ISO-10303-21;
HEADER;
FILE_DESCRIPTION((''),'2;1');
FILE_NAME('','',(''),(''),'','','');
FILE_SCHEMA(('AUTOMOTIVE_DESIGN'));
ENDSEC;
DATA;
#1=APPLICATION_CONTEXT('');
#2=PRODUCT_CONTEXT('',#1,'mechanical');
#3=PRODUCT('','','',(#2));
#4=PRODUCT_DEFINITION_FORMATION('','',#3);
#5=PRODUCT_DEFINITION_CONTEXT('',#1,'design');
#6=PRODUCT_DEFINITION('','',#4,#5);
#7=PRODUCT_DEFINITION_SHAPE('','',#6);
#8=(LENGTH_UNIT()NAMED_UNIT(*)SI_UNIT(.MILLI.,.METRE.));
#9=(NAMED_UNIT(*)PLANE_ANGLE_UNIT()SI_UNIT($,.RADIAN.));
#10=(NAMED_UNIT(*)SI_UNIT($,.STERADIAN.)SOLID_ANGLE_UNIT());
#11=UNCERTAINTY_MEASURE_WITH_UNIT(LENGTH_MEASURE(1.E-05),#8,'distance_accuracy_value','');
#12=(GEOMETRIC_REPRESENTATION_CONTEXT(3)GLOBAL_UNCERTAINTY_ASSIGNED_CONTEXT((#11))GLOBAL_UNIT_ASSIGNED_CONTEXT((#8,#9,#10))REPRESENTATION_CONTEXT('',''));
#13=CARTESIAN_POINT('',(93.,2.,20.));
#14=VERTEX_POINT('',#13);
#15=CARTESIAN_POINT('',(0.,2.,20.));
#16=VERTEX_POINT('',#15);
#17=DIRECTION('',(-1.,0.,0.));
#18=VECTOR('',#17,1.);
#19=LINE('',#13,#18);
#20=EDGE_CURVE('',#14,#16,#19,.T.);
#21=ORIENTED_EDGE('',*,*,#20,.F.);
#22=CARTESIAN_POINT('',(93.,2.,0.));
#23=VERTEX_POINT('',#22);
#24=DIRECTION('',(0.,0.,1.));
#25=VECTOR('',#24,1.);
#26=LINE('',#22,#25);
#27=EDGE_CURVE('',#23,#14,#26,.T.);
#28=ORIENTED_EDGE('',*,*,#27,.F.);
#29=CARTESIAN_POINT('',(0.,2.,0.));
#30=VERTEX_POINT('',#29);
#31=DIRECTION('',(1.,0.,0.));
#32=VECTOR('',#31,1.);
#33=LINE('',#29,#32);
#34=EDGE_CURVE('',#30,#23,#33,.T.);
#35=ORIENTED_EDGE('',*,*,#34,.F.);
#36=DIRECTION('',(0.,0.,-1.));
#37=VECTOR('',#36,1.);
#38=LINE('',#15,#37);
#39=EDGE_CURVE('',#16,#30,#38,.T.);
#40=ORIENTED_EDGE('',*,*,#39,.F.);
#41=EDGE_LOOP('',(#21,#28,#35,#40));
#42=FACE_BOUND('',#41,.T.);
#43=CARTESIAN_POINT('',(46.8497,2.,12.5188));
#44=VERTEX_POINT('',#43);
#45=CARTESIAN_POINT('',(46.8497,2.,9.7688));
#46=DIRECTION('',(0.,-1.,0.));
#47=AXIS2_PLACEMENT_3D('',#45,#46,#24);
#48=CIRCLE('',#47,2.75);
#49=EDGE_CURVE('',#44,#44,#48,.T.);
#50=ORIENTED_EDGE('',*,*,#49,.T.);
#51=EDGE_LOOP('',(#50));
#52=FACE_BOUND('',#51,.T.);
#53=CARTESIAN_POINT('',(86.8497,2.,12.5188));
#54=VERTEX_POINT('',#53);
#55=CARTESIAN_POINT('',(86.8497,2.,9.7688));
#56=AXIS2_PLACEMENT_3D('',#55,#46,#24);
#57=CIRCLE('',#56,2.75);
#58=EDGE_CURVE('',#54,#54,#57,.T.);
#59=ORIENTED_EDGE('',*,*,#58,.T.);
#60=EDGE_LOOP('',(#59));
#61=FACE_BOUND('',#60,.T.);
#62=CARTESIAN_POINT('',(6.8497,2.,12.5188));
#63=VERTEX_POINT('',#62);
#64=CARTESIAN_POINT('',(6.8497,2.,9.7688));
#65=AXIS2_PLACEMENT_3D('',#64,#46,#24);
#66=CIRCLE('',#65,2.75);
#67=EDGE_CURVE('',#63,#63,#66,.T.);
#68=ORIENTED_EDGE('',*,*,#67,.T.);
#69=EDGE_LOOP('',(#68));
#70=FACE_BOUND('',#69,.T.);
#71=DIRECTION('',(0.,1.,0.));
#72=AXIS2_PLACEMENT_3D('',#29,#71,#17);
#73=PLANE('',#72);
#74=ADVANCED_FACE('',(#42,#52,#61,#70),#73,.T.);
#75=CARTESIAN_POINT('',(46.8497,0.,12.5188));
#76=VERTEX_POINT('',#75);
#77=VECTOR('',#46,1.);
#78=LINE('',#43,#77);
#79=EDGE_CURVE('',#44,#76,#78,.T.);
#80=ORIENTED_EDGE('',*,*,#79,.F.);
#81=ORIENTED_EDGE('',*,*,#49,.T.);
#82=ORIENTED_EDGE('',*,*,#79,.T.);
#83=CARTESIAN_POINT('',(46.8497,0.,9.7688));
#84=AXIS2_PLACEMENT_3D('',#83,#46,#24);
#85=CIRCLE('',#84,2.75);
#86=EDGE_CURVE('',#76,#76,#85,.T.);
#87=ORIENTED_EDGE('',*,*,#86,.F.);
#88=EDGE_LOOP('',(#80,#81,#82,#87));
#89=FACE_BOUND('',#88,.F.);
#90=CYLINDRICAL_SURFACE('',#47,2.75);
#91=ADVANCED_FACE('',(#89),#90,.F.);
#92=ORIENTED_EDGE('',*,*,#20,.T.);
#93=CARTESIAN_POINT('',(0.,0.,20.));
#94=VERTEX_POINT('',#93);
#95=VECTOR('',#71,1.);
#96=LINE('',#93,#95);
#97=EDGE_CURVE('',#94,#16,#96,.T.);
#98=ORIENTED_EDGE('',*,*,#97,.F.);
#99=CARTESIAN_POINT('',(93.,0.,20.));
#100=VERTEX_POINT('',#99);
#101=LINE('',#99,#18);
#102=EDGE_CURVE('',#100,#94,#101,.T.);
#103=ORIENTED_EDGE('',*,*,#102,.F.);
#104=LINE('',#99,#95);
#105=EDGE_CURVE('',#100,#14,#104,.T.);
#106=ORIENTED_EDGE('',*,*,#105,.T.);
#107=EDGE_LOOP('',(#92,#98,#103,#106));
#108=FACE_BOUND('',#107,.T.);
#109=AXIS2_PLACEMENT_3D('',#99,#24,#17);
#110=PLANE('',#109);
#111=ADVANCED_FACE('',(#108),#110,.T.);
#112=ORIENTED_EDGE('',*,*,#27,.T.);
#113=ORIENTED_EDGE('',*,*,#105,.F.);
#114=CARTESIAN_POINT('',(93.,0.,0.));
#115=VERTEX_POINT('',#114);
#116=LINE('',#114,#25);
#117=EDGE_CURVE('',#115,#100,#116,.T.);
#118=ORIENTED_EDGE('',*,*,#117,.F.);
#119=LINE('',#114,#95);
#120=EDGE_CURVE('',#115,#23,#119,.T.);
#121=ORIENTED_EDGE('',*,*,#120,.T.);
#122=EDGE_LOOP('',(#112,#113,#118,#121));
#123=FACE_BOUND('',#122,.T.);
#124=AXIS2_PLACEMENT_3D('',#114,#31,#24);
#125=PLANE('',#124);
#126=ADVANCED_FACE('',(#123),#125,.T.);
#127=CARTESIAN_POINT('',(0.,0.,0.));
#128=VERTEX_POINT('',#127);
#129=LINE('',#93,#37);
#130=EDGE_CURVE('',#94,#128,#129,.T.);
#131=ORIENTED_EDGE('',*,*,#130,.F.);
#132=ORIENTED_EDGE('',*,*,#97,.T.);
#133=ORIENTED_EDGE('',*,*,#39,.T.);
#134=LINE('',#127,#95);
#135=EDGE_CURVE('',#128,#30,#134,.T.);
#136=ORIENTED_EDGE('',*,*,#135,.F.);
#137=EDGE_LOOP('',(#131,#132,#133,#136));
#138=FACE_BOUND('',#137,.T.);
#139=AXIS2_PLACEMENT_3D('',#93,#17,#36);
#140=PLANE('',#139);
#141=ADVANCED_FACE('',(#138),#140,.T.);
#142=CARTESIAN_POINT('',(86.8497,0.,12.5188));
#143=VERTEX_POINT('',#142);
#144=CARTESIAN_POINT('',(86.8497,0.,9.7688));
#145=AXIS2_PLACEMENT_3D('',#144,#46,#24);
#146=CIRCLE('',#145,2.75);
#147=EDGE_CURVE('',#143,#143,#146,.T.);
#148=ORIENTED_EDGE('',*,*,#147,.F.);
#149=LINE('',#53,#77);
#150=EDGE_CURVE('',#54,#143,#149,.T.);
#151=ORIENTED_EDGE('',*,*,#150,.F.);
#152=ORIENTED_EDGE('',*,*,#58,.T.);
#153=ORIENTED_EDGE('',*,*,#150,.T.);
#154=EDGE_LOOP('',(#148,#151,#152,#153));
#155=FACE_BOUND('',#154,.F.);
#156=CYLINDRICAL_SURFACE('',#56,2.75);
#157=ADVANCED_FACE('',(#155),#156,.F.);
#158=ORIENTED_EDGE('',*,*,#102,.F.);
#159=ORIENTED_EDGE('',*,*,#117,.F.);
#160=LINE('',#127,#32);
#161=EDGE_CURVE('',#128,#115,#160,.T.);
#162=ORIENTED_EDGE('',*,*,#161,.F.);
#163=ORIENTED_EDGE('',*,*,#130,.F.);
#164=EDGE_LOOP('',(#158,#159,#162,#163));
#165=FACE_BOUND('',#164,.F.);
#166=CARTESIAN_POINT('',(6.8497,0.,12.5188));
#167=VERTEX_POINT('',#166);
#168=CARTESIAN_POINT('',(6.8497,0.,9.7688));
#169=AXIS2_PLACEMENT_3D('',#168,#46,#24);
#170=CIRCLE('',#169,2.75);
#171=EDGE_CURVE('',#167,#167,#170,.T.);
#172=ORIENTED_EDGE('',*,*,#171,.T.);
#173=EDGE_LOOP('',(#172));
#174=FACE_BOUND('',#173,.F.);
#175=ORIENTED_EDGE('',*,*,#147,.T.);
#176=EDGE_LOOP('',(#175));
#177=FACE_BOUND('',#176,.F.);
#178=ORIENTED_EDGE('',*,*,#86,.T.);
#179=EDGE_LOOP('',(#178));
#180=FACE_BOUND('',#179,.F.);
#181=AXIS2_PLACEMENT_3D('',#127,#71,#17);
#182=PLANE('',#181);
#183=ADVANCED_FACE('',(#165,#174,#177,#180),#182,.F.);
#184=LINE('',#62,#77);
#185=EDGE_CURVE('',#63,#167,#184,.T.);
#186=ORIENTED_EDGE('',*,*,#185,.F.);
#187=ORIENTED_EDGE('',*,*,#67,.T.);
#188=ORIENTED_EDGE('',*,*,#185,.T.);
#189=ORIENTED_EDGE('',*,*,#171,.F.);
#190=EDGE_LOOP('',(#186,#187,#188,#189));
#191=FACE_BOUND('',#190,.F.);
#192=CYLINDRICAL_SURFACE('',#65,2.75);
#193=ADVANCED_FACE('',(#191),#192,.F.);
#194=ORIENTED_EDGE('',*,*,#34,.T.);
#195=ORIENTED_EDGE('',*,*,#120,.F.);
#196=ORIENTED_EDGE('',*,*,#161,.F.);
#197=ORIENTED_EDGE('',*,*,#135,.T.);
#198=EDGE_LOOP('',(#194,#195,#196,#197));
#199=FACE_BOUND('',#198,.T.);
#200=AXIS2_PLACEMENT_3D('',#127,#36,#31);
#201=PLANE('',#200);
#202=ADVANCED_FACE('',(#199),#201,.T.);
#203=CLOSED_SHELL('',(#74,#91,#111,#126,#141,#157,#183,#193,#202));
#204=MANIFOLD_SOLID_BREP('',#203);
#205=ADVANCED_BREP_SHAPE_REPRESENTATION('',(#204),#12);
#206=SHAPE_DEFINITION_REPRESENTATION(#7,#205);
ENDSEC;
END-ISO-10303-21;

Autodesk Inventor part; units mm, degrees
ref_plane "YZ Plane" through (0, 0, 0) normal (1, 0, 0) x (0, 1, 0)
ref_plane "XZ Plane" through (0, 0, 0) normal (0, 1, 0) x (-1, 0, 0)
ref_plane "XY Plane" through (0, 0, 0) normal (0, 0, 1) x (1, 0, 0)
sketch "Sketch1" plane through (0, 0, 0) normal (0, 1, 0) x (-1, 0, 0)
  line L0 (0, 0) -> (-93, 0)
  line L1 (-93, 0) -> (-93, 20)
  line L2 (-93, 20) -> (0, 20)
  line L3 (0, 20) -> (0, 0)
  dimension "d0" = 93
  dimension "d1" = 20
extrude "Extrusion1" add sketch "Sketch1" along normal blind 2
hole "Hole1" at (6.8497, 2, 9.7688) direction (0, -1, 0) diameter 5.5 end through all
pattern_linear "Rectangular Pattern1" count 3 spacing 40 along (1, 0, 0) of "Hole1"
properties part number "flatbarx2" material "Aluminum 6061"
